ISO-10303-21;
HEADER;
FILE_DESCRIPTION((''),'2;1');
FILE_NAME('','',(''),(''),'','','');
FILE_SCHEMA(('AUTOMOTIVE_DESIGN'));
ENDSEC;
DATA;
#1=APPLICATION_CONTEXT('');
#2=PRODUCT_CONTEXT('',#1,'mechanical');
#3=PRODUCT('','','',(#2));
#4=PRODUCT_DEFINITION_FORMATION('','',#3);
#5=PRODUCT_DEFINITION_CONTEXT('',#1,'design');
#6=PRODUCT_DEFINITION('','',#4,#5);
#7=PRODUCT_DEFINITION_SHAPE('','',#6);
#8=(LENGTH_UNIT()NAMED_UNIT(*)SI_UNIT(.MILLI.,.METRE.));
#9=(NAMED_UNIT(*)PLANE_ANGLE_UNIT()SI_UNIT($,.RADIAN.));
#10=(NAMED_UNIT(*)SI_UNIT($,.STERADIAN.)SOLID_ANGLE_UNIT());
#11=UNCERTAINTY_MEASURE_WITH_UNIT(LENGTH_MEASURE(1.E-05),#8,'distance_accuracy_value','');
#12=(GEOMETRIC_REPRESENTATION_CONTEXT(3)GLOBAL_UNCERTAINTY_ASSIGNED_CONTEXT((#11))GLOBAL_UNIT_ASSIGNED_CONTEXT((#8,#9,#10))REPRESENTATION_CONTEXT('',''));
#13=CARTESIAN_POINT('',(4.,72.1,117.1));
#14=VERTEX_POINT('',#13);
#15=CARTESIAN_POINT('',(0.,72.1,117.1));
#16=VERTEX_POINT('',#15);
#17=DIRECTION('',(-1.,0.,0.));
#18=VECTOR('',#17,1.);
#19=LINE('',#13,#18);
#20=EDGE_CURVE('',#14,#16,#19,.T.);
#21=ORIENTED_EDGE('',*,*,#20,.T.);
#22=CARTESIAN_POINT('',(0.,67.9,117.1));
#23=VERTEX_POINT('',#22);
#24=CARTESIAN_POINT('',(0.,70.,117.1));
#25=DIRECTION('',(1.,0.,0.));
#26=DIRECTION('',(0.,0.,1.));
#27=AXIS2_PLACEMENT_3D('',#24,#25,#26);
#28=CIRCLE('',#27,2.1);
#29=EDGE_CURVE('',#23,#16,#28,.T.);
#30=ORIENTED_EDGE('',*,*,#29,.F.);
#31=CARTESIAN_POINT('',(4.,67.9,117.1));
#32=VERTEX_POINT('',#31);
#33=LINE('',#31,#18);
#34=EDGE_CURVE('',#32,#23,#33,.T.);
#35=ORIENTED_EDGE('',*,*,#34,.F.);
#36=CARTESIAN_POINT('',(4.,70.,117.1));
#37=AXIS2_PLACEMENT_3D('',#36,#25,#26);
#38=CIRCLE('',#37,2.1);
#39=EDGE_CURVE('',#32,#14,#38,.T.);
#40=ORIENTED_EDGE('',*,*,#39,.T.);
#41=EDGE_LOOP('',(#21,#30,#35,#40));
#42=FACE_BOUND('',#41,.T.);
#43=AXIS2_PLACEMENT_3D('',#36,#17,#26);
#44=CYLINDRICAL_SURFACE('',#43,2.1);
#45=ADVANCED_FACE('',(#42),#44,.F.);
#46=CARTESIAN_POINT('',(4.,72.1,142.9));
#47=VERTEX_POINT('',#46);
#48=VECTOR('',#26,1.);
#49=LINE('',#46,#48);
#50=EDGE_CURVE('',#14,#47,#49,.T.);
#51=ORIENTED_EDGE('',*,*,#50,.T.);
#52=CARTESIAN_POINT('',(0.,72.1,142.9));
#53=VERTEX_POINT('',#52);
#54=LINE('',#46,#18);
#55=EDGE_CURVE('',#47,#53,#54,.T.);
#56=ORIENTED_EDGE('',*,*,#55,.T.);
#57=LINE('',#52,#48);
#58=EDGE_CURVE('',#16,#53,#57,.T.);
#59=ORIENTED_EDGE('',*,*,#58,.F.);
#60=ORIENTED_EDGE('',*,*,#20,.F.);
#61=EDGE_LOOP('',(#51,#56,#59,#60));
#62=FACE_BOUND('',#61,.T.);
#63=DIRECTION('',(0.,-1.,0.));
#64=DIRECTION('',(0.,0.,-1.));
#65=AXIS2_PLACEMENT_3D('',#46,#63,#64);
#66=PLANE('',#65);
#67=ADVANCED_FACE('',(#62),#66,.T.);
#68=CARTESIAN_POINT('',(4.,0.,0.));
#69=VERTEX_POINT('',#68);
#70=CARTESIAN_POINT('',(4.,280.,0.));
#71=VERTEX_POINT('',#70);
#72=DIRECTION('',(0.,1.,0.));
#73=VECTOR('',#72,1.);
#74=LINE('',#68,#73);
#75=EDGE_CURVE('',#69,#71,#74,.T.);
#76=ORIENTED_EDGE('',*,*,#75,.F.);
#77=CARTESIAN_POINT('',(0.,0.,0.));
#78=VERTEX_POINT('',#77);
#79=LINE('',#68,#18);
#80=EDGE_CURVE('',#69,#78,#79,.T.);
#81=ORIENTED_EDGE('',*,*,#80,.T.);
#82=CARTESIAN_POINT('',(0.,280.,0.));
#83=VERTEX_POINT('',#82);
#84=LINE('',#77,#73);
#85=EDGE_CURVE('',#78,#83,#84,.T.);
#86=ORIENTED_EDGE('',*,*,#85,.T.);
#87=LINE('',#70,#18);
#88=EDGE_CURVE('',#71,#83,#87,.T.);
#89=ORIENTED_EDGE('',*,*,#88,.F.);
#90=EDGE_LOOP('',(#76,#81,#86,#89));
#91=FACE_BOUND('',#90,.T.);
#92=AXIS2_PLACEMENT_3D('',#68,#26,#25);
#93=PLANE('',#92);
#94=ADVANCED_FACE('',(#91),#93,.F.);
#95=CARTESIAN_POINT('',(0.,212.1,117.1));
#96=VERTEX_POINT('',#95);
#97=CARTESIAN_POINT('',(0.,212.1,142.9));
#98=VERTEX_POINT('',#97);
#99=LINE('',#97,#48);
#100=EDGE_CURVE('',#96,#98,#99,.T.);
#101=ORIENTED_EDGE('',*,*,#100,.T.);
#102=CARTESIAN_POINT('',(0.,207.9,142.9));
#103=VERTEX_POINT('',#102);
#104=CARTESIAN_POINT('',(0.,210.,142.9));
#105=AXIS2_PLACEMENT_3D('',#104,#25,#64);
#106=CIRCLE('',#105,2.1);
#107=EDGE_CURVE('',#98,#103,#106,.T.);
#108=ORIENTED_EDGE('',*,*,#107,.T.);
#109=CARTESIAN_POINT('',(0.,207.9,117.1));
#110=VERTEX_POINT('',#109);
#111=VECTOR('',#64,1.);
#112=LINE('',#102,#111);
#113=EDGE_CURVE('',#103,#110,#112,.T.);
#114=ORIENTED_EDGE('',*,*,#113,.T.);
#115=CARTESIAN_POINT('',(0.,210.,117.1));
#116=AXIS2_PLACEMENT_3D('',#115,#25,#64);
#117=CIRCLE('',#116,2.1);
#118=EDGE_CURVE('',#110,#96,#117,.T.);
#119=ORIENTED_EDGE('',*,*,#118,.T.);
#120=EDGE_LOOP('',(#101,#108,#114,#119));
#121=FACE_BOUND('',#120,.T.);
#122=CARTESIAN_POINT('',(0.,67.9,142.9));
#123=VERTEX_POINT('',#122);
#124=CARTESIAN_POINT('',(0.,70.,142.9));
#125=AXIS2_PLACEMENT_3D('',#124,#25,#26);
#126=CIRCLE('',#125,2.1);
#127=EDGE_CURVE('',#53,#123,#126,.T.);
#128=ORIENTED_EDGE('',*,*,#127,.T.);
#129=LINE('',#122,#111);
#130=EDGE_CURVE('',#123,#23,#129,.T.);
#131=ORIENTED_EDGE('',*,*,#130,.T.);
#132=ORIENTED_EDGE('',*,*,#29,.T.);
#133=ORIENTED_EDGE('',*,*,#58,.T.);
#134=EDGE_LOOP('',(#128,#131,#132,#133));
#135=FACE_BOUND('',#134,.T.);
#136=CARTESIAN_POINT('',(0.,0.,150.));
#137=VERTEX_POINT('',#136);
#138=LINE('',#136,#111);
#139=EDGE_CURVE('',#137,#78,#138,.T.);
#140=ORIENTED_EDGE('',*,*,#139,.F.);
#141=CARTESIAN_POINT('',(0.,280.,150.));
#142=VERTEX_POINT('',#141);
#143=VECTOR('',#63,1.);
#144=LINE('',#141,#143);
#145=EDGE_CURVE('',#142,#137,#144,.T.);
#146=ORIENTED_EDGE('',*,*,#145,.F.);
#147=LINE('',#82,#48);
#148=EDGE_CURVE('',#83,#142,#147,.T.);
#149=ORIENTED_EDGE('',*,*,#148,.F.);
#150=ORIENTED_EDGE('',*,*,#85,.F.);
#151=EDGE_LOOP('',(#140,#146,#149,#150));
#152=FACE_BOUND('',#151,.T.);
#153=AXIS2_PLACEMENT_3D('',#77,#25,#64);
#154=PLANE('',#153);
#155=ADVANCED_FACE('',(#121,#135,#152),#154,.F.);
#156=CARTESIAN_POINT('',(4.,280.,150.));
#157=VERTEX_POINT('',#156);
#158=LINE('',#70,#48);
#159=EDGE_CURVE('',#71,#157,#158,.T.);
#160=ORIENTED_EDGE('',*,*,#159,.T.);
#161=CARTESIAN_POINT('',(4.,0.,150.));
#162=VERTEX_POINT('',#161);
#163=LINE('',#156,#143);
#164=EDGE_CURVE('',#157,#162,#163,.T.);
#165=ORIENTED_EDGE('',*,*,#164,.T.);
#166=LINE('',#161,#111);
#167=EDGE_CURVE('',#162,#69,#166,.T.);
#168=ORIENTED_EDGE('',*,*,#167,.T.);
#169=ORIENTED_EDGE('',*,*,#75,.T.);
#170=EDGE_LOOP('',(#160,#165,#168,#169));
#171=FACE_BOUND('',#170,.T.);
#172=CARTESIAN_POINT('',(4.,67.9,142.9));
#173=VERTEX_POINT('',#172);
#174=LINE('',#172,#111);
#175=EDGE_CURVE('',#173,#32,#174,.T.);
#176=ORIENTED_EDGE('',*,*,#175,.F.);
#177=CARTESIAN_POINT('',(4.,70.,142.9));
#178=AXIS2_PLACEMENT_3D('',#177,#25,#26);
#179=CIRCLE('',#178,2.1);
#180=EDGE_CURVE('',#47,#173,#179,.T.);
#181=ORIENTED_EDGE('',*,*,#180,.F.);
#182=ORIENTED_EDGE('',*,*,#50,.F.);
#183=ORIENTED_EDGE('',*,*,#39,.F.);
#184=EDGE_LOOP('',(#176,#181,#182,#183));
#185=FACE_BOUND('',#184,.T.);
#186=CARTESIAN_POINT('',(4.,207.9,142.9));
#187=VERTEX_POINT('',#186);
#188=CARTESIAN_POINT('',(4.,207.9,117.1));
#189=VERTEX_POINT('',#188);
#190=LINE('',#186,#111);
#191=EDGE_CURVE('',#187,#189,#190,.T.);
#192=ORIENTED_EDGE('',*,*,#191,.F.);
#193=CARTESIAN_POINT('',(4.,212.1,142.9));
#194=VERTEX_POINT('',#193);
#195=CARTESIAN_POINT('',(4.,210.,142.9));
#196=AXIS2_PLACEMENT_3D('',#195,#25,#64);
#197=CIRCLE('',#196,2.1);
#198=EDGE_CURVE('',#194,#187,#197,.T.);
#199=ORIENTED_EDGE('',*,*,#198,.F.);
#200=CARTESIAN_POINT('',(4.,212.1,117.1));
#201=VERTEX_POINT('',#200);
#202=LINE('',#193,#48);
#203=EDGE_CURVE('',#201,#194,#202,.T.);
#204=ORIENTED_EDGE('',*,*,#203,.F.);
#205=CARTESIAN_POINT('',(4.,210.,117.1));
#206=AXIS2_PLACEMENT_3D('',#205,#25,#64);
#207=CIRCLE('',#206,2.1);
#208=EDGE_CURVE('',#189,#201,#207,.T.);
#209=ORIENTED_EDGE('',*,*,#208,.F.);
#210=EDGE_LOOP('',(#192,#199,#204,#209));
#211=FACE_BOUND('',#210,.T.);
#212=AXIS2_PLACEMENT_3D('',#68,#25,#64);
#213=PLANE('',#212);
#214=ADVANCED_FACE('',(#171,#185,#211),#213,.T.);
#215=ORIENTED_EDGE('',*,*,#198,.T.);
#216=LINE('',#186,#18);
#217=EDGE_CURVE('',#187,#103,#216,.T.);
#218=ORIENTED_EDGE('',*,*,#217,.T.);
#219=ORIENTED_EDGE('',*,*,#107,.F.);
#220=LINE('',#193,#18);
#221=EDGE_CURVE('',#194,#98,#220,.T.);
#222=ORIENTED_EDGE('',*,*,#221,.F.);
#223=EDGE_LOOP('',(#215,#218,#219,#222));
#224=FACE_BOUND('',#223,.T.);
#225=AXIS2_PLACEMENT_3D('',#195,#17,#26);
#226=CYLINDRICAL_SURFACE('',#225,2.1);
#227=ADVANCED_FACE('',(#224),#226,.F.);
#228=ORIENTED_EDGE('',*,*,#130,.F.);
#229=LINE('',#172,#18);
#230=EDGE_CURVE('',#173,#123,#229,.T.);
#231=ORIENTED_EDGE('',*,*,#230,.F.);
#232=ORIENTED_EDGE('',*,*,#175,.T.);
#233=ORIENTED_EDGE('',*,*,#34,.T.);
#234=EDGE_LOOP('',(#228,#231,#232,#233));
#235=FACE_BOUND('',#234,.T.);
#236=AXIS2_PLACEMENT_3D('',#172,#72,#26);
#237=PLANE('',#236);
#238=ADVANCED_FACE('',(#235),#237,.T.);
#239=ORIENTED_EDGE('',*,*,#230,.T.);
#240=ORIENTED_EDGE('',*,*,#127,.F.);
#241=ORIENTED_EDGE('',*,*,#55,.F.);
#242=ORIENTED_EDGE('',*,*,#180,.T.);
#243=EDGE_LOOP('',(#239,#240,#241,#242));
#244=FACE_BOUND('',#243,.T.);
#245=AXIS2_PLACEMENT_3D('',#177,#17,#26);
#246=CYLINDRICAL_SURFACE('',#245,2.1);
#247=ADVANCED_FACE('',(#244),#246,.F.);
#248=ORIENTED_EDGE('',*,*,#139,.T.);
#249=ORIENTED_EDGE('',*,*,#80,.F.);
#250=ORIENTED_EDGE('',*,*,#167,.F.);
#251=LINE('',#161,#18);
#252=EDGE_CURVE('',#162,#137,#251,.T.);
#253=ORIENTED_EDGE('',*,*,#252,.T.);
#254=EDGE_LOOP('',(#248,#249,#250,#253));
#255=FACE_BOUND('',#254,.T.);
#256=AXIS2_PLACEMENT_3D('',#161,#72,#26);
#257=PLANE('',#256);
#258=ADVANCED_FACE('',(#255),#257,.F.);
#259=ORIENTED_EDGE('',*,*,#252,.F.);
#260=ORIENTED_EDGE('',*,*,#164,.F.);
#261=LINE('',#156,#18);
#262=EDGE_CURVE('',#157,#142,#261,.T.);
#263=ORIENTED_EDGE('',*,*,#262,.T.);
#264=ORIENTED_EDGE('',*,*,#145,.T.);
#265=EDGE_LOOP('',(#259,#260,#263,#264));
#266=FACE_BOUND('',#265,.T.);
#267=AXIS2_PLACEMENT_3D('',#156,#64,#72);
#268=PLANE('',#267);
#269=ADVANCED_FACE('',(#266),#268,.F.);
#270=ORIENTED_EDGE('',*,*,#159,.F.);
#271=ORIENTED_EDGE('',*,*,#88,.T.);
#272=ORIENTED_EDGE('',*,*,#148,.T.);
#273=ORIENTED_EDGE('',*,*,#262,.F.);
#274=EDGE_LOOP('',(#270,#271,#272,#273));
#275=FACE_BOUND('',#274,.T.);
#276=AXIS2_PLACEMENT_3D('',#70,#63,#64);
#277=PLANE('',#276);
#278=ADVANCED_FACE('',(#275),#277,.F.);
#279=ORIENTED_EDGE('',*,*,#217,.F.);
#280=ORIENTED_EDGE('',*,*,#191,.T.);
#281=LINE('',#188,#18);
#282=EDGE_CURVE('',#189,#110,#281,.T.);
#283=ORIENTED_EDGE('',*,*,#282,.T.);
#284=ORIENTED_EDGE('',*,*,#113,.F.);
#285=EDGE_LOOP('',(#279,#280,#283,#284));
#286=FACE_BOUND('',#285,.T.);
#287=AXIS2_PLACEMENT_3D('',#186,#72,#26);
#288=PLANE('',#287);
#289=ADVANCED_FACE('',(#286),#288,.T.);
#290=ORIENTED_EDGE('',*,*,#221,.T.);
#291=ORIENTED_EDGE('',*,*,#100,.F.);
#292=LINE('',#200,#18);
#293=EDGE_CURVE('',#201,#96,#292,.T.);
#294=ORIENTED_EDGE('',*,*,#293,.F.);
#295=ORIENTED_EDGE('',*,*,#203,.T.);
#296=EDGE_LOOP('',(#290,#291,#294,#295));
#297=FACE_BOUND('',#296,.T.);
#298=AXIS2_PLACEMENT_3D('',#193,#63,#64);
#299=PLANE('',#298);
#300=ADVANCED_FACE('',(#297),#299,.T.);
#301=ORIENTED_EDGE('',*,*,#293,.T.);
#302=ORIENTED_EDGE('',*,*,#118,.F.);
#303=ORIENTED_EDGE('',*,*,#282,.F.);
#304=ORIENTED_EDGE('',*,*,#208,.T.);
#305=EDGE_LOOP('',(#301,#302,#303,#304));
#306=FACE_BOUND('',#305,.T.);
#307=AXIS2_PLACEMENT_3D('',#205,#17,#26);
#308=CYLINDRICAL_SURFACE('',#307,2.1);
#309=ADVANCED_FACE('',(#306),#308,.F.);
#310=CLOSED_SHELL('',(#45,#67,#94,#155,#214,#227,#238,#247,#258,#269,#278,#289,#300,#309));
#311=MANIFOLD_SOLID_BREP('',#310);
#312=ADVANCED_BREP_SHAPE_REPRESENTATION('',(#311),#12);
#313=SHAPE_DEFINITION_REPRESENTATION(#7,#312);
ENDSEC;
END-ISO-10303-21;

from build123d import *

# Parameters (mm, degrees)
SKETCH1_W           = 280
SKETCH1_H           = 150
BOSS_EXTRUDE1_DEPTH = 4


with BuildPart() as part:
    # Sketch1 → Boss-Extrude1 (new body)
    with BuildSketch(Plane.YZ):
        with Locations((140, 75)):
            Rectangle(SKETCH1_W, SKETCH1_H)
        with BuildLine():
            Line((67.9, 142.9), (67.9, 117.1))
            ThreePointArc((67.9, 117.1), (70, 115), (72.1, 117.1))
            Line((72.1, 117.1), (72.1, 142.9))
            ThreePointArc((72.1, 142.9), (70, 145), (67.9, 142.9))
        make_face(mode=Mode.SUBTRACT)
        with BuildLine():
            Line((212.1, 142.9), (212.1, 117.1))
            ThreePointArc((212.1, 117.1), (210, 115), (207.9, 117.1))
            Line((207.9, 117.1), (207.9, 142.9))
            ThreePointArc((207.9, 142.9), (210, 145), (212.1, 142.9))
        make_face(mode=Mode.SUBTRACT)
    extrude(amount=BOSS_EXTRUDE1_DEPTH)


solid = part.part
